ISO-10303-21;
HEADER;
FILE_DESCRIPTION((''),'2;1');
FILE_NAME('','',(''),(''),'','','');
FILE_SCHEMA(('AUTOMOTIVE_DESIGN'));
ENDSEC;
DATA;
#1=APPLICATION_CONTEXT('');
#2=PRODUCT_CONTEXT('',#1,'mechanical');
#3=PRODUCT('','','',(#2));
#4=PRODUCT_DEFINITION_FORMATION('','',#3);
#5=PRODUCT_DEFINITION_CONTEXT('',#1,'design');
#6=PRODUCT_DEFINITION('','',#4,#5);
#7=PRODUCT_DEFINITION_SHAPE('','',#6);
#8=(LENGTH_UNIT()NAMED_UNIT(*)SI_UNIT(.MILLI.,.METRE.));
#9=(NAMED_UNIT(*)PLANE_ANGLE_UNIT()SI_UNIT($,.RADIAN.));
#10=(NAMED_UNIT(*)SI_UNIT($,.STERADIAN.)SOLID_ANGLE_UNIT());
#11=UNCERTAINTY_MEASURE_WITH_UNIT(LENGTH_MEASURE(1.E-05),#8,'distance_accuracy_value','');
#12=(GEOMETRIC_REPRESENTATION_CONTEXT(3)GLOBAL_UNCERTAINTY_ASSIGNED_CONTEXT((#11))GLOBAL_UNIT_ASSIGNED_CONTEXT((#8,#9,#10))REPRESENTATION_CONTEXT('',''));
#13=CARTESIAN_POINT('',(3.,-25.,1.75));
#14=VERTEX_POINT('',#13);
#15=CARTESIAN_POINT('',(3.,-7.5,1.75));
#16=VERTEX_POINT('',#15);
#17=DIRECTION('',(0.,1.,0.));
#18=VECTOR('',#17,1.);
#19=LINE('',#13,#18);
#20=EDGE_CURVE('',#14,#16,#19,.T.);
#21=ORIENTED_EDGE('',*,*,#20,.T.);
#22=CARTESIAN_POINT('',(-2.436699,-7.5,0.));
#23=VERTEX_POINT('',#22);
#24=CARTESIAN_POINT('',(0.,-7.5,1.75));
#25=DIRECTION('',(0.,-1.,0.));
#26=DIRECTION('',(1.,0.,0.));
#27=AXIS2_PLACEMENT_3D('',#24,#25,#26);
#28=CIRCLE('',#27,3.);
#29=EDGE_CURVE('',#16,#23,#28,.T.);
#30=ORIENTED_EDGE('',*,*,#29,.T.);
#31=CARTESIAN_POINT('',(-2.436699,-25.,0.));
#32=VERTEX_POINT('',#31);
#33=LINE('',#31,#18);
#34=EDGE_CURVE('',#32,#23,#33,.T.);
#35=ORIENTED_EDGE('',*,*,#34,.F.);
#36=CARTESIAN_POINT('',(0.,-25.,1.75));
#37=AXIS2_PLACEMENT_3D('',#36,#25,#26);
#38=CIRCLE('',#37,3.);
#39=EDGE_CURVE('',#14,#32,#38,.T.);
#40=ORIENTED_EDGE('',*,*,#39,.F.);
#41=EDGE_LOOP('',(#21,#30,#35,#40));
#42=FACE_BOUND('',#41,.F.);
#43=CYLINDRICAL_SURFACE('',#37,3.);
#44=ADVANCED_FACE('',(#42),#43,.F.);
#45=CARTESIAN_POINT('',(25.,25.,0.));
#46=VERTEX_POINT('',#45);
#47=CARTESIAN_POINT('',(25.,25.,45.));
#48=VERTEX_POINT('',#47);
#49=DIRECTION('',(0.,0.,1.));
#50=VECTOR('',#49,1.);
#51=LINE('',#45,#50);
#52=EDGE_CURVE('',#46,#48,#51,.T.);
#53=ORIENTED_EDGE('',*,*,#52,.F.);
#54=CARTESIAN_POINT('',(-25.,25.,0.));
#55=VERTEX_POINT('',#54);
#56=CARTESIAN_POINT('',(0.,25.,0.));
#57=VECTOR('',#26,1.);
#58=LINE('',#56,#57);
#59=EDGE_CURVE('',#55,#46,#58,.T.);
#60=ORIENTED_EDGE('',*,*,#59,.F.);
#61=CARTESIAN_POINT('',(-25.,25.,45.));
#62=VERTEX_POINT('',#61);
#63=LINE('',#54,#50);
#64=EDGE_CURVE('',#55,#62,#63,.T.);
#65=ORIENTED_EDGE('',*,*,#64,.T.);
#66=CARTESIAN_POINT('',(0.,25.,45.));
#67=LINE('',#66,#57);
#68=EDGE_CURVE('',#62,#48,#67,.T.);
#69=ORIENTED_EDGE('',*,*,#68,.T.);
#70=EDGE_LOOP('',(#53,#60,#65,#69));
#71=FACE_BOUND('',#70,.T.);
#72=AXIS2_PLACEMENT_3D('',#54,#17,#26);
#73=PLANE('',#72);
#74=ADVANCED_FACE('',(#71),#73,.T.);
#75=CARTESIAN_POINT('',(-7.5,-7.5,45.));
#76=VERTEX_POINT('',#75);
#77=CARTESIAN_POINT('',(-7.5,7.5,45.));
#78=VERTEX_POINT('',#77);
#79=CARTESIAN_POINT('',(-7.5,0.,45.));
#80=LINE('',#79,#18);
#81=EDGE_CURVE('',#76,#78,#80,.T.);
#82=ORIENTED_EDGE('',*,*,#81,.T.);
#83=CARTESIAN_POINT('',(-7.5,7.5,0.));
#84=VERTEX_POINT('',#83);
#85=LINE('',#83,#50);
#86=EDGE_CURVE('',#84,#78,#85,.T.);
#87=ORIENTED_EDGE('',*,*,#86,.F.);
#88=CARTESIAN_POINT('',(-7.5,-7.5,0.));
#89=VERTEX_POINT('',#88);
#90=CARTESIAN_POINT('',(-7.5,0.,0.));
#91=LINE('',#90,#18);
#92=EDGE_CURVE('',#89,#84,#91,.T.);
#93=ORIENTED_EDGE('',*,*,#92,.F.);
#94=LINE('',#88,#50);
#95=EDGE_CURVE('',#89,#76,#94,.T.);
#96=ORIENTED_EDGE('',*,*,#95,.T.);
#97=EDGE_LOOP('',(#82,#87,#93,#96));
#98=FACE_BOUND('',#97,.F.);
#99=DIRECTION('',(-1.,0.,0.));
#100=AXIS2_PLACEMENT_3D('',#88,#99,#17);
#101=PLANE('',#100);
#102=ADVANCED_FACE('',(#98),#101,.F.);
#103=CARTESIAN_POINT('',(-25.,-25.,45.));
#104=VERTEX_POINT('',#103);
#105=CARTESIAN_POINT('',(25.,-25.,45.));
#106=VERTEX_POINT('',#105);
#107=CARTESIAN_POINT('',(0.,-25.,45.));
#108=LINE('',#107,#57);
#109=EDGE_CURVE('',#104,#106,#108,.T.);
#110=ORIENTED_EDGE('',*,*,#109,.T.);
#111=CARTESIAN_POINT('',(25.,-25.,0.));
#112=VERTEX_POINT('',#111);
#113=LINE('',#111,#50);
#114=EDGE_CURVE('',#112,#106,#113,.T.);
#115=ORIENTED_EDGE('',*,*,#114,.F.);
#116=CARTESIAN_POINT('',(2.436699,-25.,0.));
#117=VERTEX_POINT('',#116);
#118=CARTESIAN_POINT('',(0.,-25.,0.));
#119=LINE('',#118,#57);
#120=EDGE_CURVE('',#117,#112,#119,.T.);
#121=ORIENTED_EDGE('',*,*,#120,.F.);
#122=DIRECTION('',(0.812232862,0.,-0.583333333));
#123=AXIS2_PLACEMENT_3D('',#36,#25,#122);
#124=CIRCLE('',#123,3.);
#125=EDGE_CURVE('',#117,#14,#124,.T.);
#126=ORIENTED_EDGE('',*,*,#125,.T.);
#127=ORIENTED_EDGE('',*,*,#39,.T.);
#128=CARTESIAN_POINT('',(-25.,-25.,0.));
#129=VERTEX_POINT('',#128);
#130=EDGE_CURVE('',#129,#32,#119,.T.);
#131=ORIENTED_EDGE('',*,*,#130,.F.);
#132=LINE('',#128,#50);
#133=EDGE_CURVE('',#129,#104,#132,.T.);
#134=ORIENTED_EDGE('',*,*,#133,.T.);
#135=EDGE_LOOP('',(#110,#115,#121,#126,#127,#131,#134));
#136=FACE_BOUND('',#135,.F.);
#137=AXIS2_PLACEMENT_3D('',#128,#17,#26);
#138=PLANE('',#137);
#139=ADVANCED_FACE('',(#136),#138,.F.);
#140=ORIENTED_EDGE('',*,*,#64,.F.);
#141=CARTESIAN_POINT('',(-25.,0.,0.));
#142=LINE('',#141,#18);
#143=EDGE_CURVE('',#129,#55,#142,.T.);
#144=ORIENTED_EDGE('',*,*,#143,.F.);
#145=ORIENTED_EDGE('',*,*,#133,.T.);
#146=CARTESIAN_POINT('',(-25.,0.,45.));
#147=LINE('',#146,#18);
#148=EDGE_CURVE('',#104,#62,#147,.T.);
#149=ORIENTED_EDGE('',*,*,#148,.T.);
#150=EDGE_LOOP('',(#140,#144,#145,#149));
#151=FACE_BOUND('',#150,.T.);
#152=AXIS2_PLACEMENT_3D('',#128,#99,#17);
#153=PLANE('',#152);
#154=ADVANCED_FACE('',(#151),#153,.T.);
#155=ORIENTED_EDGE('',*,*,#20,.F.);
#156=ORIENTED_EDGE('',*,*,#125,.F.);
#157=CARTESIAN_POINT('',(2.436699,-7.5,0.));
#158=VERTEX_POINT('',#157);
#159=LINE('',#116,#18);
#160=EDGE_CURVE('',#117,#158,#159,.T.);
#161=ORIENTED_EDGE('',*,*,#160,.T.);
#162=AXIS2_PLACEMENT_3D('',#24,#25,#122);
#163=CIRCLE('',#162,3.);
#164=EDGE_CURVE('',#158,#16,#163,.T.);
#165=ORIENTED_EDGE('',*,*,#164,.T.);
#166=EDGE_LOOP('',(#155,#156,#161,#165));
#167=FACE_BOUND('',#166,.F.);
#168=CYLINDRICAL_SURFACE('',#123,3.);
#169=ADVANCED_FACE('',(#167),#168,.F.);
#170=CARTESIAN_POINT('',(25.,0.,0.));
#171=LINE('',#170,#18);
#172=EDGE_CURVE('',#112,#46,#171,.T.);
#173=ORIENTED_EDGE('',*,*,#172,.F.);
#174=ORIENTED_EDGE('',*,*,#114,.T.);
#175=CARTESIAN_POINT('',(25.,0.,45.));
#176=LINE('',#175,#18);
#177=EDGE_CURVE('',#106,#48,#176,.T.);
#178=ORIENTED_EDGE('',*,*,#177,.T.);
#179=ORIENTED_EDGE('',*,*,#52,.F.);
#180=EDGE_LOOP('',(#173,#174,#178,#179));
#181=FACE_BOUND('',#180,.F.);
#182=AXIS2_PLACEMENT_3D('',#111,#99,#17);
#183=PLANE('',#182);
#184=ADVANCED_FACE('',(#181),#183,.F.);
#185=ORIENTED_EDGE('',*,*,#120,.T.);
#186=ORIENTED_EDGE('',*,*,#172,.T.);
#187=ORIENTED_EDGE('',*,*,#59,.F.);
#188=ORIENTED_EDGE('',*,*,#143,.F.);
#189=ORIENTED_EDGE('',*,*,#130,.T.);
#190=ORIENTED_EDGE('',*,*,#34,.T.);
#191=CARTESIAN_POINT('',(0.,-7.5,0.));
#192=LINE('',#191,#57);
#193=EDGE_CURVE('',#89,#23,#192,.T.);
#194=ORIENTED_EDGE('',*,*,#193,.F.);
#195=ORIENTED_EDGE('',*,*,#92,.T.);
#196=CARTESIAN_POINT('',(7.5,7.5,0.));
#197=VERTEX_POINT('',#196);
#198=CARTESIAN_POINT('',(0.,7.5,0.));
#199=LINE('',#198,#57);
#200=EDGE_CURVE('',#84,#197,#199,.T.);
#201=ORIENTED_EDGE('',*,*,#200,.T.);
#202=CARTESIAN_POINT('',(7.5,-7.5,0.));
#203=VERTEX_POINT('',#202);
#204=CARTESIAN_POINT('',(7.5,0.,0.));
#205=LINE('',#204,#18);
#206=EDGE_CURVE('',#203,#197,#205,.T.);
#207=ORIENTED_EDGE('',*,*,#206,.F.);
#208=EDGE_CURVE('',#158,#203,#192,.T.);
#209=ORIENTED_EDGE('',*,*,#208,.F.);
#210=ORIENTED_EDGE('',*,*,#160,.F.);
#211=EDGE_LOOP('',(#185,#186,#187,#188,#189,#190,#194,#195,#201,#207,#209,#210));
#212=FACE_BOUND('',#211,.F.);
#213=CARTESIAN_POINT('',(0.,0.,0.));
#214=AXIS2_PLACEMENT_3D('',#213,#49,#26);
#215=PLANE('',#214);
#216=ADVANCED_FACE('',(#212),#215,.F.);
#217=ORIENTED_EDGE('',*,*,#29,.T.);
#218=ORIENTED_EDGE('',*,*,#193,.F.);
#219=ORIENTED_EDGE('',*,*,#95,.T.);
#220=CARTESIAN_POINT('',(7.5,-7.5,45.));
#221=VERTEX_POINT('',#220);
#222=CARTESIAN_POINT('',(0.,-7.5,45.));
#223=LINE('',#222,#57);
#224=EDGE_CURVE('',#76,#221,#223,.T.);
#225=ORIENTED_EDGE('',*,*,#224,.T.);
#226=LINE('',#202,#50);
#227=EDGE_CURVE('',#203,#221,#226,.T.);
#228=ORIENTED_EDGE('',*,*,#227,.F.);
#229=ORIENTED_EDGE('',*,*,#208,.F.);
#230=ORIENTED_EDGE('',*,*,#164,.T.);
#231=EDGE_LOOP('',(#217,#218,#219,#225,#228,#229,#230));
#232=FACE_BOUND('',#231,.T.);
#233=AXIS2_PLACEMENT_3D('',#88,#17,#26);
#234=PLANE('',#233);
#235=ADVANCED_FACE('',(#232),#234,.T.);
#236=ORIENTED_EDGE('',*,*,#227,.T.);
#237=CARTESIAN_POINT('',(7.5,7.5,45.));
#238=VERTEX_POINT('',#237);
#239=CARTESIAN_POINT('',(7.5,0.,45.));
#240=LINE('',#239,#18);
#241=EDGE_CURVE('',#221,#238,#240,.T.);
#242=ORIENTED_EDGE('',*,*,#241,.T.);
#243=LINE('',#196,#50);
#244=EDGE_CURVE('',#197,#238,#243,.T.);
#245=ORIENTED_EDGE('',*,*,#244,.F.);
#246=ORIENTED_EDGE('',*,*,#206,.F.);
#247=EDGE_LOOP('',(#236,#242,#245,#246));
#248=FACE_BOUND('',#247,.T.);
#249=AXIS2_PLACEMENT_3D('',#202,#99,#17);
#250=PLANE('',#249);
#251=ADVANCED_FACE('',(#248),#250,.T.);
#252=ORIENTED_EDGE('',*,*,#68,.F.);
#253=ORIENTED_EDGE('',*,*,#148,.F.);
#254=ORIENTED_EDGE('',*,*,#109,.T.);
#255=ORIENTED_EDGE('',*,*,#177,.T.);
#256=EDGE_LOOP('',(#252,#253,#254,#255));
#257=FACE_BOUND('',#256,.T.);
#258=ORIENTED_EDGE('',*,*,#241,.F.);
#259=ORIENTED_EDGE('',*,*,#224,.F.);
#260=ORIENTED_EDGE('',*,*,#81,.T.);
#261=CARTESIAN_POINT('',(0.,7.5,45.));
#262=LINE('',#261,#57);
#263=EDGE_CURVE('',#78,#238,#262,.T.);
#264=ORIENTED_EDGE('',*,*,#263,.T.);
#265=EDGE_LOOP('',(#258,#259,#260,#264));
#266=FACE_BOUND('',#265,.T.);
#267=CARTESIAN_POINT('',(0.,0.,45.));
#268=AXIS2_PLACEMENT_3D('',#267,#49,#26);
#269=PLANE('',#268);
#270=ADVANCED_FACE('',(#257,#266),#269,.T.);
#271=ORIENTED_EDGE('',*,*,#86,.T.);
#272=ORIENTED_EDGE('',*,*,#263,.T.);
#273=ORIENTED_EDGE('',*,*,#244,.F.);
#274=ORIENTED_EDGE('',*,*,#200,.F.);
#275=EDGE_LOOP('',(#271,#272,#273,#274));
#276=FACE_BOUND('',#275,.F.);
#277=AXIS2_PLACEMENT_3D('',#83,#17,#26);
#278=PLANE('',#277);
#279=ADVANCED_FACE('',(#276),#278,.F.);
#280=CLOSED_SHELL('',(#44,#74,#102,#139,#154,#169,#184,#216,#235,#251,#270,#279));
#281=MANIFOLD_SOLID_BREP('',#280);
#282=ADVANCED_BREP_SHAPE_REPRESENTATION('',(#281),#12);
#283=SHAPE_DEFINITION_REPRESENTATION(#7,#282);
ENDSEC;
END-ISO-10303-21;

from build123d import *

# Parameters (mm, degrees)
F0_W     = 50
F0_H     = 50
F0_W_2   = 15
F0_H_2   = 15
F1_DEPTH = 45
F3_DEPTH = 25


with BuildPart() as f1:
    # F0 (on Top) → F1 (new body)
    with BuildSketch(Plane.XY):
        Rectangle(F0_W, F0_H)
        Rectangle(F0_W_2, F0_H_2, mode=Mode.SUBTRACT)
    extrude(amount=F1_DEPTH)

    # F2 (on face) → F3 (cut)
    with BuildSketch(Plane.XZ.offset(25)):
        with BuildLine():
            ThreePointArc((2.4366985862, 0), (2.8557044454, 0.8307872277), (3, 1.75))
            ThreePointArc((3, 1.75), (-0.9192127723, 4.6057044454), (-2.4366985862, 0))
            Line((-2.4366985862, 0), (2.4366985862, 0))
        make_face()
    extrude(amount=-F3_DEPTH, mode=Mode.SUBTRACT)


solid = f1.part
